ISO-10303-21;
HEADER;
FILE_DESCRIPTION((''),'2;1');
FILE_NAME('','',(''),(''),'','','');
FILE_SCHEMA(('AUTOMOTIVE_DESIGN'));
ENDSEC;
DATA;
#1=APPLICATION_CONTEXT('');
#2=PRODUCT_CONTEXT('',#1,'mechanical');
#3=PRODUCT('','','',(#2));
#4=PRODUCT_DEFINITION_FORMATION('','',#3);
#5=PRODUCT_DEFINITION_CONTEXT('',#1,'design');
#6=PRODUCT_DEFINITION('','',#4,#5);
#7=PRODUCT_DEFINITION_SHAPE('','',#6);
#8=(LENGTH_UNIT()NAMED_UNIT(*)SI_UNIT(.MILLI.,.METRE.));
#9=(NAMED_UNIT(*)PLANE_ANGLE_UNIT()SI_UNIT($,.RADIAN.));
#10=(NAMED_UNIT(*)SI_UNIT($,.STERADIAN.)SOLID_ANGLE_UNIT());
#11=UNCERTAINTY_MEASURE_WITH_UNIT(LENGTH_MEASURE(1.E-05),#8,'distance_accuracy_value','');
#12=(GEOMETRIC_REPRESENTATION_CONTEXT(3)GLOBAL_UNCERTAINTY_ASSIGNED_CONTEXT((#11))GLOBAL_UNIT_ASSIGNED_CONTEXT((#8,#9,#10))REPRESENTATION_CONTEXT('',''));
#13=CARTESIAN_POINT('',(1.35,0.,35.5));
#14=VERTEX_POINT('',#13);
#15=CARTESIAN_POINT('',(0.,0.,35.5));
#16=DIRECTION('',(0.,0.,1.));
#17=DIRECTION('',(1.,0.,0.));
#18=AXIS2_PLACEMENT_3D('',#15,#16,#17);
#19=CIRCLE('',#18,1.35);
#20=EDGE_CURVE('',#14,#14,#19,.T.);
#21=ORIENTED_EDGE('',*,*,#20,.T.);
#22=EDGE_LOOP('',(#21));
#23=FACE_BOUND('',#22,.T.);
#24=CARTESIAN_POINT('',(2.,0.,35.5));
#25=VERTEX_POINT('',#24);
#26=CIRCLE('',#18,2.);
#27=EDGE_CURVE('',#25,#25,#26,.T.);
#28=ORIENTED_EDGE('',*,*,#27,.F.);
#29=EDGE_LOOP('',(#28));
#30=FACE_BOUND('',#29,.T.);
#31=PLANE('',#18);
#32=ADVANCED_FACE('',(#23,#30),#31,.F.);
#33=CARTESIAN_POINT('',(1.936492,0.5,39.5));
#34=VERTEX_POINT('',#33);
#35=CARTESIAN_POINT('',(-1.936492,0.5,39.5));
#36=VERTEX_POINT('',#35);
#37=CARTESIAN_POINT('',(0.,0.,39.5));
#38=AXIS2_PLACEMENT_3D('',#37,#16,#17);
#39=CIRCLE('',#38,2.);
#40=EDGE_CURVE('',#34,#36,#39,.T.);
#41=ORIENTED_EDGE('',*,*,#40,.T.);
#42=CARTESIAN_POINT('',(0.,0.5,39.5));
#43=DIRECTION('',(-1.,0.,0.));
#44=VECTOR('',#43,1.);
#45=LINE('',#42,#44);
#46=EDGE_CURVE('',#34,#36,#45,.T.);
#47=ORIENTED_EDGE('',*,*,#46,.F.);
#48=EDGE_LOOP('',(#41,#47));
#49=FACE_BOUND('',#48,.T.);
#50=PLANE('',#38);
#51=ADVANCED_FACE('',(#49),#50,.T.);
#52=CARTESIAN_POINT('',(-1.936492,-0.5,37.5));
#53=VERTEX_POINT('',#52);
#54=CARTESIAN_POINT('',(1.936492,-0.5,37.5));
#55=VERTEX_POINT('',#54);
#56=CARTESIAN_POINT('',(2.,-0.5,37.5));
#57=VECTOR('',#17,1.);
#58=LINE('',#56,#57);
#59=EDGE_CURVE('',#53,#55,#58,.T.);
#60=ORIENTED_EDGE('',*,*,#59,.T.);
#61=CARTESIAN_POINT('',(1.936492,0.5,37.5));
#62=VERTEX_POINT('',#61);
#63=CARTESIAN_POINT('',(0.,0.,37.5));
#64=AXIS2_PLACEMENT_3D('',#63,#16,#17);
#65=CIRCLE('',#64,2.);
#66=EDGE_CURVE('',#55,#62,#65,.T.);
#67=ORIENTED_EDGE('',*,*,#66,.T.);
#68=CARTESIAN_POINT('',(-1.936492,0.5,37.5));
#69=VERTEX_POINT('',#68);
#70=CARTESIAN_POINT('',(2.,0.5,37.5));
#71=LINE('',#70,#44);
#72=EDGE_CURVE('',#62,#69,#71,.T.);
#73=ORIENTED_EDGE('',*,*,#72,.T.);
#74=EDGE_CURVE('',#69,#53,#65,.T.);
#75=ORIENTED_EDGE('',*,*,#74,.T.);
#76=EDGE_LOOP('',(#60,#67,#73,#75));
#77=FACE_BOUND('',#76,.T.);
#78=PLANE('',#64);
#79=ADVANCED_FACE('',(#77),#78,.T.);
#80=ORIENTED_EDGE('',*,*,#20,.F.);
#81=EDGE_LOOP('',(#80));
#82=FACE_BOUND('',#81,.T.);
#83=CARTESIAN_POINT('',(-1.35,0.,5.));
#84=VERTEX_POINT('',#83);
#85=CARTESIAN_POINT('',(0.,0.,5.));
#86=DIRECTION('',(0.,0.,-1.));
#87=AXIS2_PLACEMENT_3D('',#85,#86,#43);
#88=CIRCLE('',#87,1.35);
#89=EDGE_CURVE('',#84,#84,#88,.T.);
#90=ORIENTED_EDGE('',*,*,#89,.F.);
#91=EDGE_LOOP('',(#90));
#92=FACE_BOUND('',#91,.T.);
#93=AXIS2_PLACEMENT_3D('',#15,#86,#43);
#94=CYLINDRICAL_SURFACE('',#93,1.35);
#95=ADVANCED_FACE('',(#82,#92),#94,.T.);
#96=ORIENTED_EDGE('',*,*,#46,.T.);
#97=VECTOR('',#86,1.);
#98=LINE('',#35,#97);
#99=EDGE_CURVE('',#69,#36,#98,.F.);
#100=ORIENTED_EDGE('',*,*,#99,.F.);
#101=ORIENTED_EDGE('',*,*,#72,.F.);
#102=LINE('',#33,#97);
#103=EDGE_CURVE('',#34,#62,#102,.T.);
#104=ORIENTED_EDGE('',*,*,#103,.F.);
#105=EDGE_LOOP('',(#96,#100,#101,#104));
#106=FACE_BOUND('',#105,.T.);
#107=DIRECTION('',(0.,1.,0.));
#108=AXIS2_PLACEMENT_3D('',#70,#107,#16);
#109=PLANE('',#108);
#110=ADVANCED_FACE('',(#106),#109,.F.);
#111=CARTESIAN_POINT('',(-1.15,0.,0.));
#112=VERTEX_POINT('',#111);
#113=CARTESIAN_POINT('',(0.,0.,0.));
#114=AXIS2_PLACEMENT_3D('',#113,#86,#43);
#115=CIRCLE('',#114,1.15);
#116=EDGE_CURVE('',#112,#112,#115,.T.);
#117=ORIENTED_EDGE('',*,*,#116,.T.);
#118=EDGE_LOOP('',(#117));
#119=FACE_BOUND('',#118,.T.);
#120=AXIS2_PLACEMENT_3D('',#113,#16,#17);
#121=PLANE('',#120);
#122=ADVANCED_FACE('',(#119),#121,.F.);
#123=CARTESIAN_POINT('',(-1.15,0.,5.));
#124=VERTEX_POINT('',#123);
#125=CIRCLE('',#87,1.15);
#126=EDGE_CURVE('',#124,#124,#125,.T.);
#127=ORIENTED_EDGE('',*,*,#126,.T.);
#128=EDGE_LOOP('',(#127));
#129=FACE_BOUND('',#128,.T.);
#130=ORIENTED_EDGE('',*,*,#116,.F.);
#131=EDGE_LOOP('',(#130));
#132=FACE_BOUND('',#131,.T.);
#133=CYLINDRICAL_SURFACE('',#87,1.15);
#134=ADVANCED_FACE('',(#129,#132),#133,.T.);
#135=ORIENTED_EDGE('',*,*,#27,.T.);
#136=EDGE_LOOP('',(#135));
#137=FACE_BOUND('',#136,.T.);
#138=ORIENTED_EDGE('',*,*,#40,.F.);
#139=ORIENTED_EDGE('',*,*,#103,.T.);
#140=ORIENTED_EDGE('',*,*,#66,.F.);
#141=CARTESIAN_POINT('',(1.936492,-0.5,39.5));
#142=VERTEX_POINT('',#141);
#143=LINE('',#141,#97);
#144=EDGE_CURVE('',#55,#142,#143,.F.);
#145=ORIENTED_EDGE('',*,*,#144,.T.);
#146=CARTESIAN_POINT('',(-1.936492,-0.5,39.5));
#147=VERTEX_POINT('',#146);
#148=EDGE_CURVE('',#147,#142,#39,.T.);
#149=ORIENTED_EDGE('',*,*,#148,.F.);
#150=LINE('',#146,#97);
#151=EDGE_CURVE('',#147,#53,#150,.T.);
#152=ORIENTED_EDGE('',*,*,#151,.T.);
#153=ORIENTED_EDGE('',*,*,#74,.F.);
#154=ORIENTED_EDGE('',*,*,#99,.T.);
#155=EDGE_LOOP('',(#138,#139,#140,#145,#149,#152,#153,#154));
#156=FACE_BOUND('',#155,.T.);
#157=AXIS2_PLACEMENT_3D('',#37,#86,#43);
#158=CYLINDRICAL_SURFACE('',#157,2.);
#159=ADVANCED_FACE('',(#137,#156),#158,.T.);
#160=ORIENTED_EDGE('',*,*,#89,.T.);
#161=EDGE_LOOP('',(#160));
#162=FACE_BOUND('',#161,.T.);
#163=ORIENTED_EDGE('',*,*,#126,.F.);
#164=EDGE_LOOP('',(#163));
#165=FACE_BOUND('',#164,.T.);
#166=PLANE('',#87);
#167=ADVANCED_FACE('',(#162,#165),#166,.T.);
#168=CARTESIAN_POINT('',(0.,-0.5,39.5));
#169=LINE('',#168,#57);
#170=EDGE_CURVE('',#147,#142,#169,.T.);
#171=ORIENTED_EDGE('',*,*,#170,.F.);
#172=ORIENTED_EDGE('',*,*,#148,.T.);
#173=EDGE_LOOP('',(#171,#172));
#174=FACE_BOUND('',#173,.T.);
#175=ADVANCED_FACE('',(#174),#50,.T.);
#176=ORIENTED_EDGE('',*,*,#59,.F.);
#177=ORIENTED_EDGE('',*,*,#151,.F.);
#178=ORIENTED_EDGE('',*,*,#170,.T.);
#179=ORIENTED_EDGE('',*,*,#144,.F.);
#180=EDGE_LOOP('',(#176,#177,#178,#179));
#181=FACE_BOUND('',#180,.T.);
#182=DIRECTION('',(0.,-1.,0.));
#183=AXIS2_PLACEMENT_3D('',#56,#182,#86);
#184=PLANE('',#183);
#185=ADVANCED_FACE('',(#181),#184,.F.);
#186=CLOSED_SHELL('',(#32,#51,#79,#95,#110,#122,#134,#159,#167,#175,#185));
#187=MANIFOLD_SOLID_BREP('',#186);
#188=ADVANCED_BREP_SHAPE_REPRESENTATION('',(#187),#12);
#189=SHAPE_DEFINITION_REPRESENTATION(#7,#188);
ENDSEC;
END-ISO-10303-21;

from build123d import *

# Parameters (mm, degrees)
SKETCH1_R           = 1.35
BOSS_EXTRUDE1_DEPTH = 35.5
SKETCH2_R           = 2
BOSS_EXTRUDE2_DEPTH = 4
SKETCH3_W           = 4
SKETCH3_H           = 1
CUT_EXTRUDE1_DEPTH  = 2
SKETCH4_OUTSIDE_W   = 13.98
SKETCH4_OUTSIDE_H   = 13.98
SKETCH4_OUTSIDE_R   = 1.15
CUT_EXTRUDE2_DEPTH  = 5


with BuildPart() as part:
    # Sketch1 → Boss-Extrude1 (new body)
    with BuildSketch(Plane.XY):
        Circle(SKETCH1_R)
    extrude(amount=BOSS_EXTRUDE1_DEPTH)

    # Sketch2 → Boss-Extrude2 (add)
    with BuildSketch(Plane.XY.offset(35.5)):
        Circle(SKETCH2_R)
    extrude(amount=BOSS_EXTRUDE2_DEPTH)

    # Sketch3 → Cut-Extrude1 (cut)
    with BuildSketch(Plane.XY.offset(39.5)):
        Rectangle(SKETCH3_W, SKETCH3_H)
    extrude(amount=-CUT_EXTRUDE1_DEPTH, mode=Mode.SUBTRACT)

    # Sketch4 outside → Cut-Extrude2 (cut)
    with BuildSketch(Plane(origin=(0, 0, 0), x_dir=(-1, 0, 0), z_dir=(0, 0, -1))):
        Rectangle(SKETCH4_OUTSIDE_W, SKETCH4_OUTSIDE_H)
        Circle(SKETCH4_OUTSIDE_R, mode=Mode.SUBTRACT)
    extrude(amount=-CUT_EXTRUDE2_DEPTH, mode=Mode.SUBTRACT)


solid = part.part
